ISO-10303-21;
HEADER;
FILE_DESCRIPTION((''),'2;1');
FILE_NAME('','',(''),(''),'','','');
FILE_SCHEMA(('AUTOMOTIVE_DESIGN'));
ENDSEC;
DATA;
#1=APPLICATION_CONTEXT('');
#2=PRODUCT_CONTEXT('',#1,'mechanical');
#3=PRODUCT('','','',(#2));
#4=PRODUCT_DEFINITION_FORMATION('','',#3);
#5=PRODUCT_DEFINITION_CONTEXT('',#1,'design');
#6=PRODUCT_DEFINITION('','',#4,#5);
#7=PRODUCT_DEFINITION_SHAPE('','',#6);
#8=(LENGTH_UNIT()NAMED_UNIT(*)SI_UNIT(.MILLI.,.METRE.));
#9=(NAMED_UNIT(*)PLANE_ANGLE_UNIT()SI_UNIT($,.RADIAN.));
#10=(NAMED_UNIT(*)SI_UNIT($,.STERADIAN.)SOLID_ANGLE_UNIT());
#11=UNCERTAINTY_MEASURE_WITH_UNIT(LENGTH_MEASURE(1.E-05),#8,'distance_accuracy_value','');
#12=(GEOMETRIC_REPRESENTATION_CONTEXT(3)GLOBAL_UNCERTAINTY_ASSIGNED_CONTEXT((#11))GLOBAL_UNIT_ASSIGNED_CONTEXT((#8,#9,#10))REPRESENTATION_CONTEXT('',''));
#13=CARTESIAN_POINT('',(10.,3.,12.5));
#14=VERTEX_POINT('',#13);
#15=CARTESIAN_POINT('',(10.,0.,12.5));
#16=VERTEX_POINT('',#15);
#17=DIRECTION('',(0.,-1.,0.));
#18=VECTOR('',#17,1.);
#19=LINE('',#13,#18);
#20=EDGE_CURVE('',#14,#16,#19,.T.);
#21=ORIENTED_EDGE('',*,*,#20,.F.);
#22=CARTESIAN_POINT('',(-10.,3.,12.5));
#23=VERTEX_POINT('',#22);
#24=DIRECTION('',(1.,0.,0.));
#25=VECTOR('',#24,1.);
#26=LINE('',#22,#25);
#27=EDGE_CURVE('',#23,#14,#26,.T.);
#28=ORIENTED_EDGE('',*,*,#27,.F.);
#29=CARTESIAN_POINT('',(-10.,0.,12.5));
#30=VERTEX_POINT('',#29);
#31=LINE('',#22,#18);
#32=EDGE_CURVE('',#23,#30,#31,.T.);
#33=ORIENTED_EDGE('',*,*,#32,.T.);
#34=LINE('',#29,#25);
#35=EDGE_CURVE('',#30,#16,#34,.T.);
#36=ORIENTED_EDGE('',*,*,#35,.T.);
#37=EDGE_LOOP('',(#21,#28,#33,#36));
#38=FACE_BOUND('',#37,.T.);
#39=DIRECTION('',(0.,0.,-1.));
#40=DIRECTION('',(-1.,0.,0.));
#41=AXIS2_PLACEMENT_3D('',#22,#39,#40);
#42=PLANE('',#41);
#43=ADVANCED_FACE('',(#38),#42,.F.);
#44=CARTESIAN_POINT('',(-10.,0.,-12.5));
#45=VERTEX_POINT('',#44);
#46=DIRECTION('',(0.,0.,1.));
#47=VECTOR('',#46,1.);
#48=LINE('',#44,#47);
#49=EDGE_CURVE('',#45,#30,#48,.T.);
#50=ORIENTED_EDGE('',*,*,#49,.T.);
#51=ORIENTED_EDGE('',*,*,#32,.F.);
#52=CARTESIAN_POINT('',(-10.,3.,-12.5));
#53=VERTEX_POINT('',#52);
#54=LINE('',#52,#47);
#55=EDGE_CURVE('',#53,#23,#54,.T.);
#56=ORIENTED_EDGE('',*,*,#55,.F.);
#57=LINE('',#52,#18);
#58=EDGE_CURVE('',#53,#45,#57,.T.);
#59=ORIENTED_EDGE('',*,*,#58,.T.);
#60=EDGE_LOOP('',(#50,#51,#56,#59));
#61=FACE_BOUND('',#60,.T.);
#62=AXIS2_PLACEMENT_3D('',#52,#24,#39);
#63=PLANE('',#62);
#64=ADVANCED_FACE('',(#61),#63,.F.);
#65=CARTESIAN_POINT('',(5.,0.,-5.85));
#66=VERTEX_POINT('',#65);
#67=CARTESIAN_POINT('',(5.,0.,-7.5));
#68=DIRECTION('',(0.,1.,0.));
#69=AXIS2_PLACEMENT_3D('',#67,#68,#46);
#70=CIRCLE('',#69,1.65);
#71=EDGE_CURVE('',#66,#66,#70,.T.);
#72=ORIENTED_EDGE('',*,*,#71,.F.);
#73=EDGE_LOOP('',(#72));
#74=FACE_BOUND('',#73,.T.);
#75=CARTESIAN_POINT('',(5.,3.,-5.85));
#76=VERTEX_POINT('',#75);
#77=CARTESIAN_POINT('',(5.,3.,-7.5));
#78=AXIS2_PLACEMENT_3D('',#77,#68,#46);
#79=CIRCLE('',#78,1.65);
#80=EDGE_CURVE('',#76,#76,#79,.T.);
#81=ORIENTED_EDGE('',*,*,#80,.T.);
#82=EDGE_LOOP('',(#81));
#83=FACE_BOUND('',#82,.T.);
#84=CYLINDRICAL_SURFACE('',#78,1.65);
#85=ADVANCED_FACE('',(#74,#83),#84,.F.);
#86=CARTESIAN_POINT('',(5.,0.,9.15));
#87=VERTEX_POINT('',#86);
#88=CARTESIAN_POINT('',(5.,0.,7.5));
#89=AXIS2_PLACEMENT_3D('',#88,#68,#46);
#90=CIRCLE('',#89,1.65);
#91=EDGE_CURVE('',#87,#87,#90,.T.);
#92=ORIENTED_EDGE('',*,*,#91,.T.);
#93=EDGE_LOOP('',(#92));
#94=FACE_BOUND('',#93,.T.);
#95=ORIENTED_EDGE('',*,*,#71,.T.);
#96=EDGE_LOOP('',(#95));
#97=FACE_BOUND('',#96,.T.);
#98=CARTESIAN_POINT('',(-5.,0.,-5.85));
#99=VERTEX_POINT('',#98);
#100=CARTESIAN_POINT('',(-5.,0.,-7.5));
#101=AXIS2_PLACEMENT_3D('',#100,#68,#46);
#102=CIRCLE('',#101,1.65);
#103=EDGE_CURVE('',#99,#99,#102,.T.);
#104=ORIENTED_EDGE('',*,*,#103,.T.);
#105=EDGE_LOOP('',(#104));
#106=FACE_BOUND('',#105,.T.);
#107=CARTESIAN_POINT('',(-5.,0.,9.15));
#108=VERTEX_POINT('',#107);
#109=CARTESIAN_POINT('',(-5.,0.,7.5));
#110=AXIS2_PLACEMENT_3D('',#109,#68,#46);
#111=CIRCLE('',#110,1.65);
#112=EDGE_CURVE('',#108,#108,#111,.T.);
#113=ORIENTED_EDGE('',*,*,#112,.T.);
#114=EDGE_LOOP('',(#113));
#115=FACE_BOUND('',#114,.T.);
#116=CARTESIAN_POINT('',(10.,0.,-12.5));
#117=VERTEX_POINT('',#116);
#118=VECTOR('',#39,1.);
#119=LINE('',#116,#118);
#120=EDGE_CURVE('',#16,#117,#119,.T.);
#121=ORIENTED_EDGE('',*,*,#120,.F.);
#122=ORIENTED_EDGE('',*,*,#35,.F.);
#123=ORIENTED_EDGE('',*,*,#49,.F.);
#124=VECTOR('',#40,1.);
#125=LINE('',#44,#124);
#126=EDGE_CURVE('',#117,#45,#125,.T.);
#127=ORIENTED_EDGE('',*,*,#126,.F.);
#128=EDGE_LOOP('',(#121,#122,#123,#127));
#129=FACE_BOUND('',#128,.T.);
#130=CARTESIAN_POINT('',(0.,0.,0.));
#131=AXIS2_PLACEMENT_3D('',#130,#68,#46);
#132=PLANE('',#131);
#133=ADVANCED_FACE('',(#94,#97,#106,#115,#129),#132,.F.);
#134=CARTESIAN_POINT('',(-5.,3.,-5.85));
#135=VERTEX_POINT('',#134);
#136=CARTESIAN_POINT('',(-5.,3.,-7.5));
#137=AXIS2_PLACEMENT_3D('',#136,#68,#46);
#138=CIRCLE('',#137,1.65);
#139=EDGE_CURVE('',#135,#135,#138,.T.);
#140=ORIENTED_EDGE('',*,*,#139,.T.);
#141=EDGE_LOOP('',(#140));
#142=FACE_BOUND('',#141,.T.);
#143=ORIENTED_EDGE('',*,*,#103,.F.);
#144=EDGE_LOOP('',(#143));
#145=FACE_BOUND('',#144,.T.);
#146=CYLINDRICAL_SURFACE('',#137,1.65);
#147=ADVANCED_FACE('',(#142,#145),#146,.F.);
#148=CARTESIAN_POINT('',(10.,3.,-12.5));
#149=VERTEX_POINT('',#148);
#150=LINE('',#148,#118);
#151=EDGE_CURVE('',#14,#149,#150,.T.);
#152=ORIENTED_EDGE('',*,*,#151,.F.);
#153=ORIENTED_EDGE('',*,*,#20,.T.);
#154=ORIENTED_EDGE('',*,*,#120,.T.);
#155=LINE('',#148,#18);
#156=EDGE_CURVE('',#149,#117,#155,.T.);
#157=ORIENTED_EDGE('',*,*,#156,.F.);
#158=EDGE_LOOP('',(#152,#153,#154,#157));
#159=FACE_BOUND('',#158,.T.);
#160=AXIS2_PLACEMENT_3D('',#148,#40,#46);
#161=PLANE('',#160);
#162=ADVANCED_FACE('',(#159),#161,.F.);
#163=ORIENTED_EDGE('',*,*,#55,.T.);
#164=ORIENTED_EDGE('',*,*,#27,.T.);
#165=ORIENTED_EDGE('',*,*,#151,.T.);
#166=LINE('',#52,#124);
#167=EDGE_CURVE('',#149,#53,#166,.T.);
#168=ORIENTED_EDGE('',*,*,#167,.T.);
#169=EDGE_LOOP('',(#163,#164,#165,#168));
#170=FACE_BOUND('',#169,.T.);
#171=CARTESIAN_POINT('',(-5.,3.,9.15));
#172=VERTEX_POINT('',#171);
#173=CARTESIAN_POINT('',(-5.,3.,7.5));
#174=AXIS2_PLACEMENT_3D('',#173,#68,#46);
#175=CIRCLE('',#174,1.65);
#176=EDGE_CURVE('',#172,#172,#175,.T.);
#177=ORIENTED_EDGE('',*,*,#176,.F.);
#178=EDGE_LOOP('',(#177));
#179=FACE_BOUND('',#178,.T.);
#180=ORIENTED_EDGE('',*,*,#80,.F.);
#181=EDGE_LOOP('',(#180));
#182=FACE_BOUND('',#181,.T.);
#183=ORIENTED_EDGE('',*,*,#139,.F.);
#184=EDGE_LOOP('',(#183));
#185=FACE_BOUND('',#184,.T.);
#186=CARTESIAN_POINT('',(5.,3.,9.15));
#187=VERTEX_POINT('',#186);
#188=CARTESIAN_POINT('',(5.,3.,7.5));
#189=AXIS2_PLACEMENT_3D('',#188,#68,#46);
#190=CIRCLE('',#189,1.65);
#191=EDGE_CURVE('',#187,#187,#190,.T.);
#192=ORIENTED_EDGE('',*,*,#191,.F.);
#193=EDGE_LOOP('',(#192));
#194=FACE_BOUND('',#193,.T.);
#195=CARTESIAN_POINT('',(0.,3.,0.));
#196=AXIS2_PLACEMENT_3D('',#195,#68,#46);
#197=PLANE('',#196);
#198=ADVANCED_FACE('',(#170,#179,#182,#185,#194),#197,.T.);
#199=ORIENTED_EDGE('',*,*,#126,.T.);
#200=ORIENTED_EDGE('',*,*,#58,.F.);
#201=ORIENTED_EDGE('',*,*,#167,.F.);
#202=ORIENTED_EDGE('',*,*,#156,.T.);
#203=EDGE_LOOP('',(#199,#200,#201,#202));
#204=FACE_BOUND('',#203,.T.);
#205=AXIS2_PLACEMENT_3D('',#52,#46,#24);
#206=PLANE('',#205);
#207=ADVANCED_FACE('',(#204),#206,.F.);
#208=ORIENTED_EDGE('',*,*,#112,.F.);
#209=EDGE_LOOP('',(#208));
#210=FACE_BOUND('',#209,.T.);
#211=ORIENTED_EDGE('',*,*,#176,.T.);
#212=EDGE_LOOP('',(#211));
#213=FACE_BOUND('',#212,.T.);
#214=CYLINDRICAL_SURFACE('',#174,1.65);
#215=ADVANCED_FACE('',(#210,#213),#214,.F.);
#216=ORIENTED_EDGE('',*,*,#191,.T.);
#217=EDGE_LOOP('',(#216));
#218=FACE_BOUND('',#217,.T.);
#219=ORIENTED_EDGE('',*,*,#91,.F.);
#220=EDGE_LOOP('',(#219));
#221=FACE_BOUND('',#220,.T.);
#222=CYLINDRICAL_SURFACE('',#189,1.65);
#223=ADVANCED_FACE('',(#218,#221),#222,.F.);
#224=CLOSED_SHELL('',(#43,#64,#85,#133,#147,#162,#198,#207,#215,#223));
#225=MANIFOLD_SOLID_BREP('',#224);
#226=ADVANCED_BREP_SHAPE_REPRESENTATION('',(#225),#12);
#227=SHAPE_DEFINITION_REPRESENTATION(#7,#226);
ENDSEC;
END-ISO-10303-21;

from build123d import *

# Parameters (mm, degrees)
SKETCH_1_W      = 20
SKETCH_1_H      = 25
EXTRUDE_1_DEPTH = 3
HOLE_WIZARD_1_D = 3.3


with BuildPart() as part:
    # 草图1 → 凸台-拉伸1 (new body)
    with BuildSketch(Plane(origin=(0, 0, 0), x_dir=(1, 0, 0), z_dir=(0, 1, 0))):
        Rectangle(SKETCH_1_W, SKETCH_1_H)
    extrude(amount=EXTRUDE_1_DEPTH)

    # 孔1 (through all)
    with Locations(Plane(origin=(0, 3, 0), x_dir=(1, 0, 0), z_dir=(0, 1, 0))):
        with Locations((-5, 7.5), (5, 7.5), (-5, -7.5), (5, -7.5)):
            Hole(HOLE_WIZARD_1_D / 2)


solid = part.part
